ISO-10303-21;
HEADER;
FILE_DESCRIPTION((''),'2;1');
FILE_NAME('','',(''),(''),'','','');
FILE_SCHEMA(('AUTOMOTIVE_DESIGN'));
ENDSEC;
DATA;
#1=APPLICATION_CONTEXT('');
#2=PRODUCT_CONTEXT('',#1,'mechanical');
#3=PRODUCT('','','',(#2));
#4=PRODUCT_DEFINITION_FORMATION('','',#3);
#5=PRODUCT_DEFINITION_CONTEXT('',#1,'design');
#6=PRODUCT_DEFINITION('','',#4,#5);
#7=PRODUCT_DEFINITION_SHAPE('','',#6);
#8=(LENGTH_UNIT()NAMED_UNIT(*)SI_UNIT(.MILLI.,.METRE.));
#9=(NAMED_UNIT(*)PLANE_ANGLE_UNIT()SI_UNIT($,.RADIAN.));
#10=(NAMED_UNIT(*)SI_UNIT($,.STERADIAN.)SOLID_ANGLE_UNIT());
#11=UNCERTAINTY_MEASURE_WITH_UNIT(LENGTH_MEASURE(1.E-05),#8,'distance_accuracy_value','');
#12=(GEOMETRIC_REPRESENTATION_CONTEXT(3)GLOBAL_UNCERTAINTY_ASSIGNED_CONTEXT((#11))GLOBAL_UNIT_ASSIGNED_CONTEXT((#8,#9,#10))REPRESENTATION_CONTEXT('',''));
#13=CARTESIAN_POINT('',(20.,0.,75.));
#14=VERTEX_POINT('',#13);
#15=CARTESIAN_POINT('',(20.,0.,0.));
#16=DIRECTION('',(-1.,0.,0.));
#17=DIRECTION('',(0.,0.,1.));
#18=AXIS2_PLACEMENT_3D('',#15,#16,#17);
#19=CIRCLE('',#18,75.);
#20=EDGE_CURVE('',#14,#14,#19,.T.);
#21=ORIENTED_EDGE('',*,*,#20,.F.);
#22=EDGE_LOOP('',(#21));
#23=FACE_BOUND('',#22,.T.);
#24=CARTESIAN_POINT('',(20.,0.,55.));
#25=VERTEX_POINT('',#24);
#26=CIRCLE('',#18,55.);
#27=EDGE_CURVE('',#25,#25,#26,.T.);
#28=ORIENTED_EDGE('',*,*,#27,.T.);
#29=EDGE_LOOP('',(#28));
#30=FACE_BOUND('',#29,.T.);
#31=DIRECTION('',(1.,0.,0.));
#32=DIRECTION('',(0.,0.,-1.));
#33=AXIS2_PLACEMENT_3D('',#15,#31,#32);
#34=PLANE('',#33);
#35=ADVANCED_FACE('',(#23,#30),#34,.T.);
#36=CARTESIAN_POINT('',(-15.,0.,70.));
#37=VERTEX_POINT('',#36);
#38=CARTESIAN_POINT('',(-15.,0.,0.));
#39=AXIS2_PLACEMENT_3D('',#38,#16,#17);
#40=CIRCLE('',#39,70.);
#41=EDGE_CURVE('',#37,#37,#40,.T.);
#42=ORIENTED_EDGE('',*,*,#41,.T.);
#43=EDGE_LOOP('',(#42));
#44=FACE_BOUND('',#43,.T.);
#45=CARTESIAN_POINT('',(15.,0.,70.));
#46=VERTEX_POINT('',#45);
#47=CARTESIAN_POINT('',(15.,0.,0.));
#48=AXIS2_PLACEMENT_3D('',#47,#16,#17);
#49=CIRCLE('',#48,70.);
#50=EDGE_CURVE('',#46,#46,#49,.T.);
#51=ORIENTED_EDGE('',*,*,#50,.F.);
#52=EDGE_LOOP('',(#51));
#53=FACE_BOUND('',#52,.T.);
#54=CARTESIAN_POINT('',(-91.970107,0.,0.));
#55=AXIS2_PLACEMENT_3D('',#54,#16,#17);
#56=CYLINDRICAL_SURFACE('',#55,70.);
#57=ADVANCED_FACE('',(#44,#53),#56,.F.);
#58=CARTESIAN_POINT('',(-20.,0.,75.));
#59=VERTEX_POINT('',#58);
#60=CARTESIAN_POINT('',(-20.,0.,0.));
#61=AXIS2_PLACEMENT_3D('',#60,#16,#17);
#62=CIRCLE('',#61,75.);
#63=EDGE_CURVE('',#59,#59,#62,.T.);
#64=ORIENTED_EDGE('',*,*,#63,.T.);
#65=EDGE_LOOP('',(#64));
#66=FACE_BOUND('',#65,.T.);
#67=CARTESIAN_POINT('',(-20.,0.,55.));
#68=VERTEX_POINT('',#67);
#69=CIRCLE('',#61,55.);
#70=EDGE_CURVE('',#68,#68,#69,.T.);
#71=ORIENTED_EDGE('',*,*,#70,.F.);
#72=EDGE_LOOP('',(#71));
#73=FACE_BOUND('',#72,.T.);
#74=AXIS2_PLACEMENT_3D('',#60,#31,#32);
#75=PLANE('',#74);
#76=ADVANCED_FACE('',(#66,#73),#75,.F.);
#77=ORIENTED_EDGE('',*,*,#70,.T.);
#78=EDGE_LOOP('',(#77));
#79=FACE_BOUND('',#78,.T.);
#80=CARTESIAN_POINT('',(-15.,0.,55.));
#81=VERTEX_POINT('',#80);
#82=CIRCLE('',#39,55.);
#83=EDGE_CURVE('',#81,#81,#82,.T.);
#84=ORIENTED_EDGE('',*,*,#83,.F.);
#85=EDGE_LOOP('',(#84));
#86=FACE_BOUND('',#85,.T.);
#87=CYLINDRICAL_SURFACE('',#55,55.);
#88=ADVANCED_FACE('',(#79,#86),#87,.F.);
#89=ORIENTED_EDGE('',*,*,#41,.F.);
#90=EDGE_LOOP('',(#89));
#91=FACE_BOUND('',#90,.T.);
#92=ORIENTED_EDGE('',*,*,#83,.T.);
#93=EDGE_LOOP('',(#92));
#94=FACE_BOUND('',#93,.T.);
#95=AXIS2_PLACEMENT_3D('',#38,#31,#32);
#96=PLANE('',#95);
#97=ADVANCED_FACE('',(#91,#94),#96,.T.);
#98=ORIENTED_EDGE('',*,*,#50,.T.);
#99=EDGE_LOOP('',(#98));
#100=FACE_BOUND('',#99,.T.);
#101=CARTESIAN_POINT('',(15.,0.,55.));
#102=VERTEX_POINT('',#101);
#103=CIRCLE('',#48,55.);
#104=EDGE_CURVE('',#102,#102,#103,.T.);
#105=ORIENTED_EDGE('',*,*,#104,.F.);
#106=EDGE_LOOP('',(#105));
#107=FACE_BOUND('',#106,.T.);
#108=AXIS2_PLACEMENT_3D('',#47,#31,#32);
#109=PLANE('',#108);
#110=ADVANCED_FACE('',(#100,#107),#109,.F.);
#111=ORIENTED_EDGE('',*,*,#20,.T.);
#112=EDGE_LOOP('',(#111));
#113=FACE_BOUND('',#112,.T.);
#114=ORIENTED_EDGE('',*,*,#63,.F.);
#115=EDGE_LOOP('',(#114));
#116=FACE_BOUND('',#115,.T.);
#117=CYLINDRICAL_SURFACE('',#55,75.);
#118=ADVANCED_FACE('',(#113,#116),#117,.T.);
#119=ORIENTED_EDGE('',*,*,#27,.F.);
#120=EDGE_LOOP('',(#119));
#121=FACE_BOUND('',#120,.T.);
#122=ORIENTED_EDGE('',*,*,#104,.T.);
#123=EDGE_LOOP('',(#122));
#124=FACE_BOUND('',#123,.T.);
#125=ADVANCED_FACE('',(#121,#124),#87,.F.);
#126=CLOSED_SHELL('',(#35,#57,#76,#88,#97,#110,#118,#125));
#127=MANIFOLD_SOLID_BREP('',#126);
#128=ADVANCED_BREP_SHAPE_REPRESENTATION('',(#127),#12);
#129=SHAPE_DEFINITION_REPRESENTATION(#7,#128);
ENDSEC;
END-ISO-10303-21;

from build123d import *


with BuildPart() as part:
    # 草圖1 → 旋轉1 (revolve)
    with BuildSketch(Plane.XY):
        Polygon((20, 75), (-20, 75), (-20, 55), (-15, 55), (-15, 70), (15, 70), (15, 55), (20, 55), align=None)
    revolve(axis=Axis((-91.970106672, 0, 0), (1, 0, 0)))


solid = part.part
